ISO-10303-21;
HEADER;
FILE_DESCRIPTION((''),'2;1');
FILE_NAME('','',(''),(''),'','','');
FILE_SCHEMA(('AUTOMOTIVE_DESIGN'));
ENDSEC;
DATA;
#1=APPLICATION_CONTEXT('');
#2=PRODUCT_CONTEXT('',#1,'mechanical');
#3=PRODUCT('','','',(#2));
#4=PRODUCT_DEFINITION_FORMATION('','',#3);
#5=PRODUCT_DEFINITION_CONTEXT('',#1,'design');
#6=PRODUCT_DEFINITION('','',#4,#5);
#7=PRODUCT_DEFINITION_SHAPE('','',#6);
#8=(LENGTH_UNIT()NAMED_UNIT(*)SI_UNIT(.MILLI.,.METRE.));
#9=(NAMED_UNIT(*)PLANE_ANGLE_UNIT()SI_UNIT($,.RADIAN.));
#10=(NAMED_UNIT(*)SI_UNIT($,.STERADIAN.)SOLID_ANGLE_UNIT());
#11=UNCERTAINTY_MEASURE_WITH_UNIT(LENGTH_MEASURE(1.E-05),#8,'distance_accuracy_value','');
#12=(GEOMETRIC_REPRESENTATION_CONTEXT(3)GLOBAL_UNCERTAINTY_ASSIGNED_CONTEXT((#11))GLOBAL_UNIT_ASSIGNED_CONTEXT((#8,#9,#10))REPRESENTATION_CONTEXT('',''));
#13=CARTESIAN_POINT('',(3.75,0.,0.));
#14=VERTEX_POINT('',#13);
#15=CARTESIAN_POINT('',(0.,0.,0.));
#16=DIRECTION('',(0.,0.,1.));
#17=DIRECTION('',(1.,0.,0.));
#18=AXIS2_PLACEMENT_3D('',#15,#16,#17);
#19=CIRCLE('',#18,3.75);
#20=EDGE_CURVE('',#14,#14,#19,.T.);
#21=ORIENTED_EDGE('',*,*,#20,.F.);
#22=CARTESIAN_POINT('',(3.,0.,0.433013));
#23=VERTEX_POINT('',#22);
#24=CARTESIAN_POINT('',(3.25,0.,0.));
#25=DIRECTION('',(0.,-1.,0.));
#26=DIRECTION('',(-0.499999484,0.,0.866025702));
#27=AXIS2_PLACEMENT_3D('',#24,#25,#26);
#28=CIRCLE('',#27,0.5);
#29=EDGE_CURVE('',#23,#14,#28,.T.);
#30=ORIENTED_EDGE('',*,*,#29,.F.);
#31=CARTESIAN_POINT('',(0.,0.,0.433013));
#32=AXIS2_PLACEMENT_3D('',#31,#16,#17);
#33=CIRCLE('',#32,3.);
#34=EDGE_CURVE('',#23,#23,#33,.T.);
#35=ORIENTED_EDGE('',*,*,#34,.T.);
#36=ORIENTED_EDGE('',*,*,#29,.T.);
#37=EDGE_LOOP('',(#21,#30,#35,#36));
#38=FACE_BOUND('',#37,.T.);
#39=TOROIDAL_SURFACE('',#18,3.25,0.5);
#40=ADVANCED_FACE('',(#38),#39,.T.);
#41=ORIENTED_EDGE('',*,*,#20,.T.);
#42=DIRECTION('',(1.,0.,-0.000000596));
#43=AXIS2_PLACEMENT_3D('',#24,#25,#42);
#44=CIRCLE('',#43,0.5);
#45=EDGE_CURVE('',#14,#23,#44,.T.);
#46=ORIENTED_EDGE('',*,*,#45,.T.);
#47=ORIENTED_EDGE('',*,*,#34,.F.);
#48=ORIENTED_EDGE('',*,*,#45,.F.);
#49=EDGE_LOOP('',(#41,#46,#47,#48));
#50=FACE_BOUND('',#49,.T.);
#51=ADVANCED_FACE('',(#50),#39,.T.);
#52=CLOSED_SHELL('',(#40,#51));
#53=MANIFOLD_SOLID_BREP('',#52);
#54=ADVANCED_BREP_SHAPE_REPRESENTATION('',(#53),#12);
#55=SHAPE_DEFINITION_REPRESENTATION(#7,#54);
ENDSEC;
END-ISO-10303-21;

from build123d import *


with BuildPart() as f1:
    # F0 (on Front) → F1 (revolve)
    with BuildSketch(Plane.XZ):
        with BuildLine():
            ThreePointArc((3, 0.433013), (3, -0.433013), (3.75, 0))
            ThreePointArc((3.75, 0), (3.5, 0.433013), (3, 0.433013))
        make_face()
    revolve(axis=Axis((0, 0, 1.313016), (0, 0, 1)))


solid = f1.part
